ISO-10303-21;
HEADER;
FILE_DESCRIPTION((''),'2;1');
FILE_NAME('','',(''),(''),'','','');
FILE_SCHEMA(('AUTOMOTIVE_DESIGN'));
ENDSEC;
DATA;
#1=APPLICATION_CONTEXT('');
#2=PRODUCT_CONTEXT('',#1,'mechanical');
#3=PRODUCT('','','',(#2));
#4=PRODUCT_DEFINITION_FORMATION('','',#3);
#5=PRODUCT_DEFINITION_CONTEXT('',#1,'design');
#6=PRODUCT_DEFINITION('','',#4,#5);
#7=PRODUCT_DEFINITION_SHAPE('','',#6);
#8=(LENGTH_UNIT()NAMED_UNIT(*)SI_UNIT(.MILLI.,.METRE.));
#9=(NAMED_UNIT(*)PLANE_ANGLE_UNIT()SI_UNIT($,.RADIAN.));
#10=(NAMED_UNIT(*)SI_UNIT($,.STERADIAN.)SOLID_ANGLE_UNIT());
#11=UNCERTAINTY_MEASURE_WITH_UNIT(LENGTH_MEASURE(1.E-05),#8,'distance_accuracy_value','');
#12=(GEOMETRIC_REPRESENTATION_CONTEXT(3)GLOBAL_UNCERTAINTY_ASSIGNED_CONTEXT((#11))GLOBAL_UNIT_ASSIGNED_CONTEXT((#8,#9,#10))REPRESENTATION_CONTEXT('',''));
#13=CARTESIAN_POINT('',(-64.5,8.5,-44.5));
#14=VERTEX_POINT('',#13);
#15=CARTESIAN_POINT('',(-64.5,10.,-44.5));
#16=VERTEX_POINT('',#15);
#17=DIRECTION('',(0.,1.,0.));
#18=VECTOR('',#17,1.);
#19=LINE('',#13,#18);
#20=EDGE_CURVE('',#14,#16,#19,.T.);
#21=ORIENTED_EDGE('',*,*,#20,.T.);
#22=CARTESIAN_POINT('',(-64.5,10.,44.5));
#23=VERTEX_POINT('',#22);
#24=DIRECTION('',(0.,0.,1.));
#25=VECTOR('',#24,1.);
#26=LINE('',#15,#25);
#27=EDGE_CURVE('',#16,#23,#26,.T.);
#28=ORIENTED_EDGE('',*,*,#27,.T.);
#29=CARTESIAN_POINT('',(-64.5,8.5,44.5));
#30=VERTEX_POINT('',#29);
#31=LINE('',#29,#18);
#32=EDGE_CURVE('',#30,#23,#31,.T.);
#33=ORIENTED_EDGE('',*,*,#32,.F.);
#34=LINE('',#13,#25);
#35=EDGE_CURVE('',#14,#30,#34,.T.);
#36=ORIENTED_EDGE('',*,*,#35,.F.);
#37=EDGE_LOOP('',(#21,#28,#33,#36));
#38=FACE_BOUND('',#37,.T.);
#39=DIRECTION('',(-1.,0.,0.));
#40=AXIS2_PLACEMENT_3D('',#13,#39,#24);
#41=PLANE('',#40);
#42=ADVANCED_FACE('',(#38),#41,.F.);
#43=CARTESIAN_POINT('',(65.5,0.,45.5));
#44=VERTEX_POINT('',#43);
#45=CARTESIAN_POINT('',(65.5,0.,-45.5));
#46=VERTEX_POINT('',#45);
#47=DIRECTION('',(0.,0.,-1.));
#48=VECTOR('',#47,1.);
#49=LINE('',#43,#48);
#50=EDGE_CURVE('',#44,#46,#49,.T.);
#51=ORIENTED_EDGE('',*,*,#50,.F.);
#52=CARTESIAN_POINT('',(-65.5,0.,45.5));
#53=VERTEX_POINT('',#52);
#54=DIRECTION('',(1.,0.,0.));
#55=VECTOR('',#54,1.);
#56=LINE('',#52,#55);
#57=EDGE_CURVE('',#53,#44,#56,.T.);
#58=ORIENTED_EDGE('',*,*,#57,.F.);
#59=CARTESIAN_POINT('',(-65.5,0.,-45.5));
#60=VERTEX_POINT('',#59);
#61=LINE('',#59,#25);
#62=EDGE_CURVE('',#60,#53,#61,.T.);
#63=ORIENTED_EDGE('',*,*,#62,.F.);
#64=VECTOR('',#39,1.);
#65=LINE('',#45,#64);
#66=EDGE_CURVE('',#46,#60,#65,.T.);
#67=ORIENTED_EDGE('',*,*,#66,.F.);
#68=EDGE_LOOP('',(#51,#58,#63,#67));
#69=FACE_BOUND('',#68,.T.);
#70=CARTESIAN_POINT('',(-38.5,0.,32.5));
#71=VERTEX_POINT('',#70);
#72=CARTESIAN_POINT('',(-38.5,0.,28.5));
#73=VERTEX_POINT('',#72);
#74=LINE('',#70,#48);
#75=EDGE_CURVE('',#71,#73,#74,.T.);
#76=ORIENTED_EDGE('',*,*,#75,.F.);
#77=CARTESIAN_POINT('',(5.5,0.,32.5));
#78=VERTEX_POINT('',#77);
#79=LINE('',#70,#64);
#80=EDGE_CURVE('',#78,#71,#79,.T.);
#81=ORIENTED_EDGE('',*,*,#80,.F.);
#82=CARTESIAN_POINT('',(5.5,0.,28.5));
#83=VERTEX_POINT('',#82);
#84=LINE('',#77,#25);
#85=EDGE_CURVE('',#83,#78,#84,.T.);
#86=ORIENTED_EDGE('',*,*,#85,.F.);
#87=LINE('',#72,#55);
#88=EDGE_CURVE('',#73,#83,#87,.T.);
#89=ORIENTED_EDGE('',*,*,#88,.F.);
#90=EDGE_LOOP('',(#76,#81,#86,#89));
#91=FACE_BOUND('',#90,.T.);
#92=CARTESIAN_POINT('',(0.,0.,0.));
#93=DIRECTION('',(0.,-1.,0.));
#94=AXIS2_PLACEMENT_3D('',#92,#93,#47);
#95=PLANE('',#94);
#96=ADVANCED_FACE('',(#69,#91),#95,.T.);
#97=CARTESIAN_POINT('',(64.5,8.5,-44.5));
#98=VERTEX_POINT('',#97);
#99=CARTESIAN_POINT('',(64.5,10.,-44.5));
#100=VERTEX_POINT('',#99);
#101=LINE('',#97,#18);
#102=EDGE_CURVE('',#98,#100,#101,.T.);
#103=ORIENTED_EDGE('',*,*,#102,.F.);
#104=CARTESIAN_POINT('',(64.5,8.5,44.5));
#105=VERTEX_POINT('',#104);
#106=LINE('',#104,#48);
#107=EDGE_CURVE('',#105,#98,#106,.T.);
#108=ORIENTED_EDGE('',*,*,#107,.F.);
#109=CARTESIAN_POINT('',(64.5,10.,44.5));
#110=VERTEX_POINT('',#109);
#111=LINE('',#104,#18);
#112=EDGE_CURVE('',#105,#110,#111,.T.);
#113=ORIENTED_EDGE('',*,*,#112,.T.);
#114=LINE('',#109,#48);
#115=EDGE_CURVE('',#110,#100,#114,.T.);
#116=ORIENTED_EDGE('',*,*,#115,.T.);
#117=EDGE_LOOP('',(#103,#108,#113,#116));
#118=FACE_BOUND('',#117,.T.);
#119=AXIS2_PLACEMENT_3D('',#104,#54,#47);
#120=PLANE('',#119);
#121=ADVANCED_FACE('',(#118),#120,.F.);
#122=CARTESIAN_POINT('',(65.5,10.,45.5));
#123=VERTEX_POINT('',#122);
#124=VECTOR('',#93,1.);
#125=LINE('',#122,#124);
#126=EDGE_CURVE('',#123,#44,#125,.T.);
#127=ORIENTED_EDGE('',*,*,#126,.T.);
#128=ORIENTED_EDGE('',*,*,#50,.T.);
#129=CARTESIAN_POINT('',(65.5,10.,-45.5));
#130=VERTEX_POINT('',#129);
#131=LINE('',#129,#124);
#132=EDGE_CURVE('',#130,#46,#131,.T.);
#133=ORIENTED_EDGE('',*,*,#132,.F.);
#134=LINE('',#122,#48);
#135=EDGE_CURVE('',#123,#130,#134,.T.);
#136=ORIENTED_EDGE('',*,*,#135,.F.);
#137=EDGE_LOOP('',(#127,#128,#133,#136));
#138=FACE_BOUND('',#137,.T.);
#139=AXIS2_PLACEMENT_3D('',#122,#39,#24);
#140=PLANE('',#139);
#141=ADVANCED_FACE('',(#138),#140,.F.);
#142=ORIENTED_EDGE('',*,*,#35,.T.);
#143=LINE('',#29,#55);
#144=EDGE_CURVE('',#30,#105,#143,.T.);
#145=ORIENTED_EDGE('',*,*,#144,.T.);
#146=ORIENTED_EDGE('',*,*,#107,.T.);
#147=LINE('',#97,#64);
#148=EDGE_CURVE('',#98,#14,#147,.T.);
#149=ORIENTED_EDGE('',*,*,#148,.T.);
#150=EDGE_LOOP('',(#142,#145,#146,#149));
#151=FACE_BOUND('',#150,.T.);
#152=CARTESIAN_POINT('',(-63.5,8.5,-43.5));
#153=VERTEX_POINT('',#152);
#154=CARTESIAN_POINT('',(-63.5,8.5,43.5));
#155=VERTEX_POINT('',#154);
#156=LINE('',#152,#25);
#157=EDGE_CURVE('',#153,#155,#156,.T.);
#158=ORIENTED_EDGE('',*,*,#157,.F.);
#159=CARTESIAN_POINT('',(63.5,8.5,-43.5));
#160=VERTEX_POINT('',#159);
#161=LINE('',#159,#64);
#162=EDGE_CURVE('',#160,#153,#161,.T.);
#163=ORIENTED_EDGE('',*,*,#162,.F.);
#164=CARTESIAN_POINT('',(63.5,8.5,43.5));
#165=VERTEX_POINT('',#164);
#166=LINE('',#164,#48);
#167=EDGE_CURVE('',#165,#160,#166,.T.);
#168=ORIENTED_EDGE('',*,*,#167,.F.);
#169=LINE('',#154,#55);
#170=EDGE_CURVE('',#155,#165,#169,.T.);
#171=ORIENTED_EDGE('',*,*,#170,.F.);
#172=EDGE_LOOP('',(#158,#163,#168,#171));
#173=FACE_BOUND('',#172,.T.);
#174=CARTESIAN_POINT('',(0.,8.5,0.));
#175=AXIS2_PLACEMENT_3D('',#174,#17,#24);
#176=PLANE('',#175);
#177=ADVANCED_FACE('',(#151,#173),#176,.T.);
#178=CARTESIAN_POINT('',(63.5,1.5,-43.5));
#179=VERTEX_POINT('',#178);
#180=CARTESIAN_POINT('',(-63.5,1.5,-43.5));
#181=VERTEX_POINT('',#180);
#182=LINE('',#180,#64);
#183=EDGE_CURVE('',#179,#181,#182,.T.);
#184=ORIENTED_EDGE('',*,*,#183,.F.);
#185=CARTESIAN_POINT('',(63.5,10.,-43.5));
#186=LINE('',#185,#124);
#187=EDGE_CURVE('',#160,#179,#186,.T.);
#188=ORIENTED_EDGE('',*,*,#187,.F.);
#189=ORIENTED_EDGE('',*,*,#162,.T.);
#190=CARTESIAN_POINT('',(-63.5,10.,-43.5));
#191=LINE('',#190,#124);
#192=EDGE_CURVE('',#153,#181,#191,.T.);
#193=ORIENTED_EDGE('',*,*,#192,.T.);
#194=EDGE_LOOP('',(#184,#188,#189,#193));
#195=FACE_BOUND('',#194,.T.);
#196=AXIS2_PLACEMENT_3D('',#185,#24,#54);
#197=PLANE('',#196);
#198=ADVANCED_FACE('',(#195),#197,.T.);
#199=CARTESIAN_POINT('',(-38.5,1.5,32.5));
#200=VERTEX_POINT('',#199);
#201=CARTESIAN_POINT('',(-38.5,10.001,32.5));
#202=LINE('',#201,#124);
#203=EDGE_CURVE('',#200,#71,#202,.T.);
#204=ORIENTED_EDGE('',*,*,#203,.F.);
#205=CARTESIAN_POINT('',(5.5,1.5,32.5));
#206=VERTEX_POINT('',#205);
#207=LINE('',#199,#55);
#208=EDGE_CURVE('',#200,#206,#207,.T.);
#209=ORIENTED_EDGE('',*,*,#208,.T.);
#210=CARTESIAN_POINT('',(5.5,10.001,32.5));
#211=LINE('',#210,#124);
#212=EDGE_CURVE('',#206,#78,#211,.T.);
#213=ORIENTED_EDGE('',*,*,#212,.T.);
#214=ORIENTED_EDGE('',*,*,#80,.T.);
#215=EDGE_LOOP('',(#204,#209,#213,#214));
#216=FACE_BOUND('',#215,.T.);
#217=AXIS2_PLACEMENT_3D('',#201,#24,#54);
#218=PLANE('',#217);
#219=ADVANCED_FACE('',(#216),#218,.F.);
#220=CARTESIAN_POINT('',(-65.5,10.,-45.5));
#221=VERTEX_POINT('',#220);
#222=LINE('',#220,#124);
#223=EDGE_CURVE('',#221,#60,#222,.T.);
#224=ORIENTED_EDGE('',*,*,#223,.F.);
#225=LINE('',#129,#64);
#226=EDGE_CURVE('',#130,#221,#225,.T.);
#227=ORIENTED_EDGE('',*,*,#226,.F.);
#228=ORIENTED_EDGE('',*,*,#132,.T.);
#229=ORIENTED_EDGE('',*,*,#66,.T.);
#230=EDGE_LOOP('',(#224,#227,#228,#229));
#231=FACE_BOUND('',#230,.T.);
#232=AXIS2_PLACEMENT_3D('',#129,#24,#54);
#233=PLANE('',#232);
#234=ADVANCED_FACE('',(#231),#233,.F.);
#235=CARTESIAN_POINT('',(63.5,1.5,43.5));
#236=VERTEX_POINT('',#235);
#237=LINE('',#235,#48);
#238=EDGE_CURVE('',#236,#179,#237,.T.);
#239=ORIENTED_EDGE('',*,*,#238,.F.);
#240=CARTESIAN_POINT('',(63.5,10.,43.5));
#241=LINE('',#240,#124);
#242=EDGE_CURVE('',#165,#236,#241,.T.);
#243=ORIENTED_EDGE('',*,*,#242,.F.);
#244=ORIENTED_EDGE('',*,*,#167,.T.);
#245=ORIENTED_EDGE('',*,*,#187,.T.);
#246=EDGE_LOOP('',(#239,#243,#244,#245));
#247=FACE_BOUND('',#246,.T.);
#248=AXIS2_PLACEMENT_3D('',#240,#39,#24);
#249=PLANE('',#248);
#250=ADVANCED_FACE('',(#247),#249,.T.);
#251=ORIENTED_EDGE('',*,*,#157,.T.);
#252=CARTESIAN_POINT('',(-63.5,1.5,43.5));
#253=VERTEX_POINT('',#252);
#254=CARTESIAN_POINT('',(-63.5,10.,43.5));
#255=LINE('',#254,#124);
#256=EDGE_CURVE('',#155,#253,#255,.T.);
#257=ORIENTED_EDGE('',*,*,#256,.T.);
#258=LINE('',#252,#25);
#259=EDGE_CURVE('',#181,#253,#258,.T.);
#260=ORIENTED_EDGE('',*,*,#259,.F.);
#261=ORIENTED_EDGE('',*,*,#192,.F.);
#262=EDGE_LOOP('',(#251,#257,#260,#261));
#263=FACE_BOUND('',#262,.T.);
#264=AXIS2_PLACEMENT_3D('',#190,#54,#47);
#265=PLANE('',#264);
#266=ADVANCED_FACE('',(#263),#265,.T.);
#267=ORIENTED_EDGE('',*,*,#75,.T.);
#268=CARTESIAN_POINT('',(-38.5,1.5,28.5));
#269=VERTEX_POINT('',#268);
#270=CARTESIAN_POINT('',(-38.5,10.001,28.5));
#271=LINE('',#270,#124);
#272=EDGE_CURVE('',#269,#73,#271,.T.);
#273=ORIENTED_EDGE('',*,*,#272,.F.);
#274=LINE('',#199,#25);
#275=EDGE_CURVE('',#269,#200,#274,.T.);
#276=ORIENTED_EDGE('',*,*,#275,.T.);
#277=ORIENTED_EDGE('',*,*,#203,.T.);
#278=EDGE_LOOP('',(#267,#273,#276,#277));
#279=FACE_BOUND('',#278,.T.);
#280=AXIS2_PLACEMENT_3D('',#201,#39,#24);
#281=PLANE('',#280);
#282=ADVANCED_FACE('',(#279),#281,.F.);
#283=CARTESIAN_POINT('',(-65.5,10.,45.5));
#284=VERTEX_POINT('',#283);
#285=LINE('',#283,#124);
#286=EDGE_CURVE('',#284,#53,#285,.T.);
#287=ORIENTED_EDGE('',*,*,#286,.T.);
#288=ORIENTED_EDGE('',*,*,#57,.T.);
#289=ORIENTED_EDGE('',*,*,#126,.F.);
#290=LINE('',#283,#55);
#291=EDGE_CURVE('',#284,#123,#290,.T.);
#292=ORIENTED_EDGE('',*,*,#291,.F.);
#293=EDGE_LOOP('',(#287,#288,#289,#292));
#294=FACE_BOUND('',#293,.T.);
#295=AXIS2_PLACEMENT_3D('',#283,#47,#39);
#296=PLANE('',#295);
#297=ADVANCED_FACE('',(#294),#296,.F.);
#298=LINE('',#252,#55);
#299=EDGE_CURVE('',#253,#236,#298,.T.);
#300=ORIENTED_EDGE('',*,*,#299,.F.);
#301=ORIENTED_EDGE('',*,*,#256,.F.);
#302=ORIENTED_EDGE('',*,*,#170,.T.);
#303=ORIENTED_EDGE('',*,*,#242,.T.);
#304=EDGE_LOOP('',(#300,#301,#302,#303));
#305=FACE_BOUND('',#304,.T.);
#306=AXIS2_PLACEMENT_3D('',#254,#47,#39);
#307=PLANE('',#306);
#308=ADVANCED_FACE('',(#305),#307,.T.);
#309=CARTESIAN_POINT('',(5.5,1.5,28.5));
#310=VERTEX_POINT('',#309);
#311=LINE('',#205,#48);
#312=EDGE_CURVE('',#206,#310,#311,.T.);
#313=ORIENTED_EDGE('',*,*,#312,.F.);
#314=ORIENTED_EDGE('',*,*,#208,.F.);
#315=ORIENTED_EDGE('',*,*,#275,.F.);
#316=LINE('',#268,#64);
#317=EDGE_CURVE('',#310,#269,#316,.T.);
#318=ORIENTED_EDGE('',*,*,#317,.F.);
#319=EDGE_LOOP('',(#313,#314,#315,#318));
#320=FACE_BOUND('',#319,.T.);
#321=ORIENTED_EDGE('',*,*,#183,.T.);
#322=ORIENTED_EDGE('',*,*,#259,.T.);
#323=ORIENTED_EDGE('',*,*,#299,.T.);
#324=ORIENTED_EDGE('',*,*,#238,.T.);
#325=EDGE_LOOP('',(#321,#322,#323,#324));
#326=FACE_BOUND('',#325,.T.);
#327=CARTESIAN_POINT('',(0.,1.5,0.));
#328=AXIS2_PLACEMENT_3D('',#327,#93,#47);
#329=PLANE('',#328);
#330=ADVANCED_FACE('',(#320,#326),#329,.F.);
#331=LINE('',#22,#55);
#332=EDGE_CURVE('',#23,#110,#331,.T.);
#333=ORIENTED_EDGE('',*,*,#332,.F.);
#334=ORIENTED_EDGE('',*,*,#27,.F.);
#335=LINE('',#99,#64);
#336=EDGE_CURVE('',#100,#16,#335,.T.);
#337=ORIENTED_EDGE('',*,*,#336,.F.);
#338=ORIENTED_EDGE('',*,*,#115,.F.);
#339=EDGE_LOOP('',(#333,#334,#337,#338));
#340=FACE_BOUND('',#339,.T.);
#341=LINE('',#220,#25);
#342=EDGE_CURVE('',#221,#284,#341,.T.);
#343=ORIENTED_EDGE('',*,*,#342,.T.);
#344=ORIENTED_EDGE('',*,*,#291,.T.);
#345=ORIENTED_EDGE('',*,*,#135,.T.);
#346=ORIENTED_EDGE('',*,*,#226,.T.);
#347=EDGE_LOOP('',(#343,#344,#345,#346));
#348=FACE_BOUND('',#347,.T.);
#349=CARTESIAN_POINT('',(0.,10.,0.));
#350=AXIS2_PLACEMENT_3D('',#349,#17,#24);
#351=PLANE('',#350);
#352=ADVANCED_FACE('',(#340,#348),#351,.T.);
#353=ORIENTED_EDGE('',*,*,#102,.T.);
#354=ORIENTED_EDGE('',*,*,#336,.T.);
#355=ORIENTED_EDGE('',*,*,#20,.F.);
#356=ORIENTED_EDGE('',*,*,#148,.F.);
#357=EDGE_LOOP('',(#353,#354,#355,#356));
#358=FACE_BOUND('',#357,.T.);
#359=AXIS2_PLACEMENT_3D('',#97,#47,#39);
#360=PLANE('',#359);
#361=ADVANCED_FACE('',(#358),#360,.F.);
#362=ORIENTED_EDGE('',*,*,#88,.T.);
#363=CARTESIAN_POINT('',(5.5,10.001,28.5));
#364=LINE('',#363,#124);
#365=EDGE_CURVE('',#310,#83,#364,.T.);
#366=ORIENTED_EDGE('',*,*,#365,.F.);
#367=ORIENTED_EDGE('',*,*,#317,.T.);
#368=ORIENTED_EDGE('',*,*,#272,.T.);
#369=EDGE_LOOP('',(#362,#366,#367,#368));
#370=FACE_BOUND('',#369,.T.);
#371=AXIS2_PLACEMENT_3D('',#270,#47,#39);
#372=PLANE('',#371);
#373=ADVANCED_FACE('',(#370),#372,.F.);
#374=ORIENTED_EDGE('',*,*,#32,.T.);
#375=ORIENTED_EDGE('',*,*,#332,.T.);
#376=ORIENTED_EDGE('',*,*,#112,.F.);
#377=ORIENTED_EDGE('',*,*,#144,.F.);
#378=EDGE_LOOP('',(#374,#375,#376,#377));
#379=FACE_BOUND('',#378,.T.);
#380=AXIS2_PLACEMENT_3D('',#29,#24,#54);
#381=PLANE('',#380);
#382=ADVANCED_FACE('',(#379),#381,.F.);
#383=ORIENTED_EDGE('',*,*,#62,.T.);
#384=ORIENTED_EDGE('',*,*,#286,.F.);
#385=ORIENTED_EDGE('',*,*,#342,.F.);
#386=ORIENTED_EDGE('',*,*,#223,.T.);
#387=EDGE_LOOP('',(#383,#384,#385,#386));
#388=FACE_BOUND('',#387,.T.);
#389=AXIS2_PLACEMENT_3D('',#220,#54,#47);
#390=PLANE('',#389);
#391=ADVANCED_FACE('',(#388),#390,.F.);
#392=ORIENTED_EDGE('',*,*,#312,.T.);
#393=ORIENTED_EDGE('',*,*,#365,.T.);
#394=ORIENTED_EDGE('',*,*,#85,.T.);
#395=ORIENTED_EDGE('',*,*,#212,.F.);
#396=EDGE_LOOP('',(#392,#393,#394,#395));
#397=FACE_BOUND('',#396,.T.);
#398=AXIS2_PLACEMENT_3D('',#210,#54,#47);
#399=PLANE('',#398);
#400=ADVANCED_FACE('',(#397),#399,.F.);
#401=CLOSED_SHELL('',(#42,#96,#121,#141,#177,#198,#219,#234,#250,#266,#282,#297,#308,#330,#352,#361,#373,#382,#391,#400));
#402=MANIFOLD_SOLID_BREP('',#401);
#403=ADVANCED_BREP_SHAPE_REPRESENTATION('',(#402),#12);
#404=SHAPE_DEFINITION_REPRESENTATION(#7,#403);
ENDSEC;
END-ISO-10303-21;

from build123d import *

# Parameters (mm, degrees)
SKETCH1_W           = 127
SKETCH1_H           = 87
BOSS_EXTRUDE1_DEPTH = 1.5
SKETCH2_W           = 131
SKETCH2_H           = 91
SKETCH2_W_2         = 127
SKETCH2_H_2         = 87
BOSS_EXTRUDE2_DEPTH = 10
CUT_EXTRUDE1_REACH  = 82.377
SKETCH3_W           = 44
SKETCH3_H           = 4
SKETCH5_W           = 129
SKETCH5_H           = 89
SKETCH5_W_2         = 127
SKETCH5_H_2         = 87
CUT_EXTRUDE3_DEPTH  = 1.5


with BuildPart() as part:
    # Sketch1 → Boss-Extrude1 (new body)
    with BuildSketch(Plane(origin=(0, 0, 0), x_dir=(1, 0, 0), z_dir=(0, 1, 0))):
        Rectangle(SKETCH1_W, SKETCH1_H)
    extrude(amount=BOSS_EXTRUDE1_DEPTH)

    # Sketch2 → Boss-Extrude2 (add)
    with BuildSketch(Plane(origin=(0, 0, 0), x_dir=(1, 0, 0), z_dir=(0, 1, 0))):
        Rectangle(SKETCH2_W, SKETCH2_H)
        Rectangle(SKETCH2_W_2, SKETCH2_H_2, mode=Mode.SUBTRACT)
    extrude(amount=BOSS_EXTRUDE2_DEPTH)

    # Sketch3 → Cut-Extrude1 (cut, up to next)
    with BuildSketch(Plane.XZ, mode=Mode.PRIVATE) as cut_extrude1_sk1:
        with Locations((-16.5, 30.5)):
            Rectangle(SKETCH3_W, SKETCH3_H)
    cut_extrude1_tool1 = extrude(cut_extrude1_sk1.sketch, amount=-CUT_EXTRUDE1_REACH, mode=Mode.PRIVATE) & part.part
    add(cut_extrude1_tool1.solids().sort_by_distance((-16.5, 0, 30.5))[0], mode=Mode.SUBTRACT)

    # Sketch5 → Cut-Extrude3 (cut)
    with BuildSketch(Plane(origin=(0, 10, 0), x_dir=(1, 0, 0), z_dir=(0, 1, 0))):
        Rectangle(SKETCH5_W, SKETCH5_H)
        Rectangle(SKETCH5_W_2, SKETCH5_H_2, mode=Mode.SUBTRACT)
    extrude(amount=-CUT_EXTRUDE3_DEPTH, mode=Mode.SUBTRACT)


solid = part.part
